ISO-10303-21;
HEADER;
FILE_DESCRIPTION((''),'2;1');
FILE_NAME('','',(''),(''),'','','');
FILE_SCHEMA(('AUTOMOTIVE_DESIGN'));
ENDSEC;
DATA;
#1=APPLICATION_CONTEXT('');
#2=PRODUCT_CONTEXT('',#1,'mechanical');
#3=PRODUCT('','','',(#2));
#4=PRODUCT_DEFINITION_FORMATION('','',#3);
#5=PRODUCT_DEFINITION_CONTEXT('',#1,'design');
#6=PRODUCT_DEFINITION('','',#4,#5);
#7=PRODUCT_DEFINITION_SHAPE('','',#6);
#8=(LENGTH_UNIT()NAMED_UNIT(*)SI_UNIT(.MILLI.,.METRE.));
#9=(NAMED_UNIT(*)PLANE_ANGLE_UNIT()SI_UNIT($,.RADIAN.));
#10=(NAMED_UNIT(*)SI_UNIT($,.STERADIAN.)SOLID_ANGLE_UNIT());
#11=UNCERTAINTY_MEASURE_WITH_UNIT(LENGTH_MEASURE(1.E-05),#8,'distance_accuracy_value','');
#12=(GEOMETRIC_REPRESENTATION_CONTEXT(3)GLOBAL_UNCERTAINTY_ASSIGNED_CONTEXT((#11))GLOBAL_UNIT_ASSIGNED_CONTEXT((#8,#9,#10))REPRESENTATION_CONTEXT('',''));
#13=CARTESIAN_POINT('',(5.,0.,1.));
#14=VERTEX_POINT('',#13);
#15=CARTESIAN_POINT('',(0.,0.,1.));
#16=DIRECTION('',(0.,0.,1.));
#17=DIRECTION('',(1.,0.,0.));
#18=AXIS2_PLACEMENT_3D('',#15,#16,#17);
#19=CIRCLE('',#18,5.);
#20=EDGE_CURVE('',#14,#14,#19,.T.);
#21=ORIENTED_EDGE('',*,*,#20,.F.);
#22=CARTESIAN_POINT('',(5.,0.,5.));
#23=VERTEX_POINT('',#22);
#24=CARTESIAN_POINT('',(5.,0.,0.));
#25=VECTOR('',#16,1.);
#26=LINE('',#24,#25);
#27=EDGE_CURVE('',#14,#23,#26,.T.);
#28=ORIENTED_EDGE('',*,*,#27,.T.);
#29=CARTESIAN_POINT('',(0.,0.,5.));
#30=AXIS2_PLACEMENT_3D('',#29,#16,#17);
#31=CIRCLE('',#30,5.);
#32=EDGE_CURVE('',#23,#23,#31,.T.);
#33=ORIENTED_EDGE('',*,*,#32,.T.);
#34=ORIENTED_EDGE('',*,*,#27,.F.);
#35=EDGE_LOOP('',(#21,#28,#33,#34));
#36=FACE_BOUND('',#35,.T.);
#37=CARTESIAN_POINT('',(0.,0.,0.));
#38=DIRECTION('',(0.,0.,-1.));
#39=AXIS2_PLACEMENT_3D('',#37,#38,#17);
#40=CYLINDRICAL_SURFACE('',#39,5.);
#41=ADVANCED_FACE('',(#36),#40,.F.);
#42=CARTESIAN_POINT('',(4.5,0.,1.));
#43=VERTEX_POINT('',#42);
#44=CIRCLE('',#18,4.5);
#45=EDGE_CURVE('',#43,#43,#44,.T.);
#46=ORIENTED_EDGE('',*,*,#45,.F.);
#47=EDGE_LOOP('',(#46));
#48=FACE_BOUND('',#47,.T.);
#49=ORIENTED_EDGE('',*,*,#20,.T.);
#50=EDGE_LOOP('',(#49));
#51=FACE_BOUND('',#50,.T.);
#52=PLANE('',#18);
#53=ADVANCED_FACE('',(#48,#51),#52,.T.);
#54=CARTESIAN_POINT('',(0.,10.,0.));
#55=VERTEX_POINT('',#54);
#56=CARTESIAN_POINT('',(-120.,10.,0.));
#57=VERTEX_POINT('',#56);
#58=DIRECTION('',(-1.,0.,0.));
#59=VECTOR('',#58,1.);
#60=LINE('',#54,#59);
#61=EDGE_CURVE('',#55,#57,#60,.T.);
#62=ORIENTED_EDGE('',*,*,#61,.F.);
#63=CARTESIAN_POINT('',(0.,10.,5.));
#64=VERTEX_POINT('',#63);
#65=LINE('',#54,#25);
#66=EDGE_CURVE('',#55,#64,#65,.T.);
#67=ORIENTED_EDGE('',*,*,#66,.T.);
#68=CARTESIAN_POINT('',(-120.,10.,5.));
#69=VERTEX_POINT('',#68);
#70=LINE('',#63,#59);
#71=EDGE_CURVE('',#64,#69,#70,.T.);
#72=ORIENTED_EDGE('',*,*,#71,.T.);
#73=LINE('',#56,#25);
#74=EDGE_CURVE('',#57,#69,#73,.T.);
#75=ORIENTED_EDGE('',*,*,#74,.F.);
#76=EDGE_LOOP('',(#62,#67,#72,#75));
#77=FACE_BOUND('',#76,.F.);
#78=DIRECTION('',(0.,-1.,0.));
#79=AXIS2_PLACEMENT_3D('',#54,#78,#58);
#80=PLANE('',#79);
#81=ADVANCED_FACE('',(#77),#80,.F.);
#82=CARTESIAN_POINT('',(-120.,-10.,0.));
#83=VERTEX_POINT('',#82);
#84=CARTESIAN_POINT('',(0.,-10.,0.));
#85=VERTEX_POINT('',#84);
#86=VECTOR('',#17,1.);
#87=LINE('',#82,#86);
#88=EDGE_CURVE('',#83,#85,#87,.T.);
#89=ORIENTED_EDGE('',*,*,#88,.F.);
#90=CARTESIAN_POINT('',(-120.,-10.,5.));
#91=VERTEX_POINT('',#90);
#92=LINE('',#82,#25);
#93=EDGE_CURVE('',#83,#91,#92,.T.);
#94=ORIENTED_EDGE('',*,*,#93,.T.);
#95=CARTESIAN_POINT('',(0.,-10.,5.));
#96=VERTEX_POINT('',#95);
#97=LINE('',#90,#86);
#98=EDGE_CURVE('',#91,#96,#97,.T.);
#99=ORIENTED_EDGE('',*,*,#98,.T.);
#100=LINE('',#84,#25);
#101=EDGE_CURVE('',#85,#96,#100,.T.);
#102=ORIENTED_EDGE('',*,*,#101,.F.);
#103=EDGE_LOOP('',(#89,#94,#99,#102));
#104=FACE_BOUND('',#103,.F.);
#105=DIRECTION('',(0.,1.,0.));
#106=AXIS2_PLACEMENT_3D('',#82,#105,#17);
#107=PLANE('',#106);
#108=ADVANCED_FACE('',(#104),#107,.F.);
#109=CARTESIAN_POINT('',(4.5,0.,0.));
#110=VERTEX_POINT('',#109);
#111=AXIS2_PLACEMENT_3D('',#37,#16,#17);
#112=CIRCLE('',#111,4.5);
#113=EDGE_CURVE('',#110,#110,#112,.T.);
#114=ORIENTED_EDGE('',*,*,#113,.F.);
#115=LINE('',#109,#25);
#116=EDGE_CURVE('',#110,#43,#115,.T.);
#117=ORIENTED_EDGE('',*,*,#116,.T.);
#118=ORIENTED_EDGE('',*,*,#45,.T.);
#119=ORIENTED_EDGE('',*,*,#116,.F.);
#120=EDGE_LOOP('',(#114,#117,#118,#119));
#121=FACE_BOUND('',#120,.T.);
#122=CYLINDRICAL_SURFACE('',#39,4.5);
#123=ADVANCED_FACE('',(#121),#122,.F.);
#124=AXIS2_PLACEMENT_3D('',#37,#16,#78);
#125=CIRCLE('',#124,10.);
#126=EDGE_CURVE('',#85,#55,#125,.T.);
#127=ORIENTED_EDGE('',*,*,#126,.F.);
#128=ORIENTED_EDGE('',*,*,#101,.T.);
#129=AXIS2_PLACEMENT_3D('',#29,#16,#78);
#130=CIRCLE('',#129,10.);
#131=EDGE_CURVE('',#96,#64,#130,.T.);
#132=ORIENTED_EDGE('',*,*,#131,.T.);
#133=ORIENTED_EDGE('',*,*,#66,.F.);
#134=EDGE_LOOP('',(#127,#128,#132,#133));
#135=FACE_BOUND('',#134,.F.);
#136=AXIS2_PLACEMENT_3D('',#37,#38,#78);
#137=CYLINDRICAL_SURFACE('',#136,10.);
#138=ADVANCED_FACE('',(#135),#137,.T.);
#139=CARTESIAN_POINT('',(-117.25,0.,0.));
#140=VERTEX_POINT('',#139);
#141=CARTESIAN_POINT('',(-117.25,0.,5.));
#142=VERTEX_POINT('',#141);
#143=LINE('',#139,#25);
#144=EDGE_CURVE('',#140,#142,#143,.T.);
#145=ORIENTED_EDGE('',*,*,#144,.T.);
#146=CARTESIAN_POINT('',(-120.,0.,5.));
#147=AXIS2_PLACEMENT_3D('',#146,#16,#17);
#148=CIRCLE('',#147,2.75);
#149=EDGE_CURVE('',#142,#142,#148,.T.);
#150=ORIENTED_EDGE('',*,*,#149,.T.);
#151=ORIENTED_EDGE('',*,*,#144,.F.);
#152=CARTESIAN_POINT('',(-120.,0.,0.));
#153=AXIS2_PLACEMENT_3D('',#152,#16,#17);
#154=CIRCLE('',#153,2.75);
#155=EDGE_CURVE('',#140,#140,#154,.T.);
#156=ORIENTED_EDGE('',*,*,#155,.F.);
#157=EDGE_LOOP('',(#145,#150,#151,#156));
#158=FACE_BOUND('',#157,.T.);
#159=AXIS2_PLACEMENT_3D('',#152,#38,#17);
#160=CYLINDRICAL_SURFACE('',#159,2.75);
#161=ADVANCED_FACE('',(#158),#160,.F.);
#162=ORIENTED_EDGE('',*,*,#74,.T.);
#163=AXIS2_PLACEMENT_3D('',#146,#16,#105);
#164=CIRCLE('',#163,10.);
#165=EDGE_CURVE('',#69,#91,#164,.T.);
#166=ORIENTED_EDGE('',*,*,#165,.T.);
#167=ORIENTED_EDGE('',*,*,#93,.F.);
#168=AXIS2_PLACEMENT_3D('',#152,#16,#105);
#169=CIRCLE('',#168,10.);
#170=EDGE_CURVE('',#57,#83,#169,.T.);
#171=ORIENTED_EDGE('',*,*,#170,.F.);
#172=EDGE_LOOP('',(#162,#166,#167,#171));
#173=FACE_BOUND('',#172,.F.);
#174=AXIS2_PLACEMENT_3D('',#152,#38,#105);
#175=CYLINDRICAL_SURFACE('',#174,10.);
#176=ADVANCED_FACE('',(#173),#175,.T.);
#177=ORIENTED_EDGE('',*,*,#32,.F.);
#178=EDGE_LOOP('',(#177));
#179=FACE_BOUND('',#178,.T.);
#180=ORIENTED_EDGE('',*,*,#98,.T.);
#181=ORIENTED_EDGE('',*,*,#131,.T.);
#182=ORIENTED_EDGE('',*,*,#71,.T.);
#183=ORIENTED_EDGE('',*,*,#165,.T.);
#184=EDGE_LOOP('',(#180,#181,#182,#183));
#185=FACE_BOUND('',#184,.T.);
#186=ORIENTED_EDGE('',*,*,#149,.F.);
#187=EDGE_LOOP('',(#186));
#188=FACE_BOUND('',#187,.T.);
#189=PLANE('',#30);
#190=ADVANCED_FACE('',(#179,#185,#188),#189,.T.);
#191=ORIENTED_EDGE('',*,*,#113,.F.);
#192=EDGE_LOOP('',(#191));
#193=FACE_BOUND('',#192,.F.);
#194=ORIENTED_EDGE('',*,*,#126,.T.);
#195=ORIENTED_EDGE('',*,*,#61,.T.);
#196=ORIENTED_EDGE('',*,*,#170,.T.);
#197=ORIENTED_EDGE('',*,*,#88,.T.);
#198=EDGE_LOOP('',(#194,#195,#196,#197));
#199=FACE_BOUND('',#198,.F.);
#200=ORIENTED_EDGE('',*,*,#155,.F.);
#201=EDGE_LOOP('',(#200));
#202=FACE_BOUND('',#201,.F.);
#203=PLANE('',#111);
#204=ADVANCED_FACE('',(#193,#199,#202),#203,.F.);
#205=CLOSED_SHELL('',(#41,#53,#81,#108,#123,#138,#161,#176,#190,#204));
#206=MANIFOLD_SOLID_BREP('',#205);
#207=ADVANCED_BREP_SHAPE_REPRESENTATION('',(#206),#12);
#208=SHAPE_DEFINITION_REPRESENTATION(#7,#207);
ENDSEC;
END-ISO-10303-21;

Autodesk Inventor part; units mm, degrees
ref_plane "YZ Plane" through (0, 0, 0) normal (1, 0, 0) x (0, 1, 0)
ref_plane "XZ Plane" through (0, 0, 0) normal (0, 1, 0) x (-1, 0, 0)
ref_plane "XY Plane" through (0, 0, 0) normal (0, 0, 1) x (1, 0, 0)
sketch "Skizze3" plane through (0, 0, 0) normal (0, 0, 1) x (1, 0, 0)
  line L0 (0, 0) -> (-120, 0) construction
  line L1 (0, 10) -> (-120, 10)
  line L2 (-120, -10) -> (0, -10)
  arc A0 (0, -10) -> (0, 10) centre (0, 0) ccw
  arc A1 (-120, 10) -> (-120, -10) centre (-120, 0) ccw
  circle A2 centre (0, 0) radius 5
  circle A3 centre (-120, 0) radius 2.75
  circle A4 centre (0, 0) radius 4.5
  point P0 (-60, 0)
  dimension "d4" = 120
  dimension "d5" = 20
  dimension "d6" = 10
  dimension "d7" = 5.5
  dimension "d12" = 9
extrude "Extrusion3" add sketch "Skizze3" along normal blind 5 contours A0 L2 A1 L1
extrude "Extrusion4" add sketch "Skizze3" along normal blind 1 contours A2
equation "\"d4\" = Gelenk_einfach"
equation "\"Gelenk_einfach\" = 120"
properties part number "BT001_trajan20_21" material "Kunststoff, undurchsichtig Schwarz"
